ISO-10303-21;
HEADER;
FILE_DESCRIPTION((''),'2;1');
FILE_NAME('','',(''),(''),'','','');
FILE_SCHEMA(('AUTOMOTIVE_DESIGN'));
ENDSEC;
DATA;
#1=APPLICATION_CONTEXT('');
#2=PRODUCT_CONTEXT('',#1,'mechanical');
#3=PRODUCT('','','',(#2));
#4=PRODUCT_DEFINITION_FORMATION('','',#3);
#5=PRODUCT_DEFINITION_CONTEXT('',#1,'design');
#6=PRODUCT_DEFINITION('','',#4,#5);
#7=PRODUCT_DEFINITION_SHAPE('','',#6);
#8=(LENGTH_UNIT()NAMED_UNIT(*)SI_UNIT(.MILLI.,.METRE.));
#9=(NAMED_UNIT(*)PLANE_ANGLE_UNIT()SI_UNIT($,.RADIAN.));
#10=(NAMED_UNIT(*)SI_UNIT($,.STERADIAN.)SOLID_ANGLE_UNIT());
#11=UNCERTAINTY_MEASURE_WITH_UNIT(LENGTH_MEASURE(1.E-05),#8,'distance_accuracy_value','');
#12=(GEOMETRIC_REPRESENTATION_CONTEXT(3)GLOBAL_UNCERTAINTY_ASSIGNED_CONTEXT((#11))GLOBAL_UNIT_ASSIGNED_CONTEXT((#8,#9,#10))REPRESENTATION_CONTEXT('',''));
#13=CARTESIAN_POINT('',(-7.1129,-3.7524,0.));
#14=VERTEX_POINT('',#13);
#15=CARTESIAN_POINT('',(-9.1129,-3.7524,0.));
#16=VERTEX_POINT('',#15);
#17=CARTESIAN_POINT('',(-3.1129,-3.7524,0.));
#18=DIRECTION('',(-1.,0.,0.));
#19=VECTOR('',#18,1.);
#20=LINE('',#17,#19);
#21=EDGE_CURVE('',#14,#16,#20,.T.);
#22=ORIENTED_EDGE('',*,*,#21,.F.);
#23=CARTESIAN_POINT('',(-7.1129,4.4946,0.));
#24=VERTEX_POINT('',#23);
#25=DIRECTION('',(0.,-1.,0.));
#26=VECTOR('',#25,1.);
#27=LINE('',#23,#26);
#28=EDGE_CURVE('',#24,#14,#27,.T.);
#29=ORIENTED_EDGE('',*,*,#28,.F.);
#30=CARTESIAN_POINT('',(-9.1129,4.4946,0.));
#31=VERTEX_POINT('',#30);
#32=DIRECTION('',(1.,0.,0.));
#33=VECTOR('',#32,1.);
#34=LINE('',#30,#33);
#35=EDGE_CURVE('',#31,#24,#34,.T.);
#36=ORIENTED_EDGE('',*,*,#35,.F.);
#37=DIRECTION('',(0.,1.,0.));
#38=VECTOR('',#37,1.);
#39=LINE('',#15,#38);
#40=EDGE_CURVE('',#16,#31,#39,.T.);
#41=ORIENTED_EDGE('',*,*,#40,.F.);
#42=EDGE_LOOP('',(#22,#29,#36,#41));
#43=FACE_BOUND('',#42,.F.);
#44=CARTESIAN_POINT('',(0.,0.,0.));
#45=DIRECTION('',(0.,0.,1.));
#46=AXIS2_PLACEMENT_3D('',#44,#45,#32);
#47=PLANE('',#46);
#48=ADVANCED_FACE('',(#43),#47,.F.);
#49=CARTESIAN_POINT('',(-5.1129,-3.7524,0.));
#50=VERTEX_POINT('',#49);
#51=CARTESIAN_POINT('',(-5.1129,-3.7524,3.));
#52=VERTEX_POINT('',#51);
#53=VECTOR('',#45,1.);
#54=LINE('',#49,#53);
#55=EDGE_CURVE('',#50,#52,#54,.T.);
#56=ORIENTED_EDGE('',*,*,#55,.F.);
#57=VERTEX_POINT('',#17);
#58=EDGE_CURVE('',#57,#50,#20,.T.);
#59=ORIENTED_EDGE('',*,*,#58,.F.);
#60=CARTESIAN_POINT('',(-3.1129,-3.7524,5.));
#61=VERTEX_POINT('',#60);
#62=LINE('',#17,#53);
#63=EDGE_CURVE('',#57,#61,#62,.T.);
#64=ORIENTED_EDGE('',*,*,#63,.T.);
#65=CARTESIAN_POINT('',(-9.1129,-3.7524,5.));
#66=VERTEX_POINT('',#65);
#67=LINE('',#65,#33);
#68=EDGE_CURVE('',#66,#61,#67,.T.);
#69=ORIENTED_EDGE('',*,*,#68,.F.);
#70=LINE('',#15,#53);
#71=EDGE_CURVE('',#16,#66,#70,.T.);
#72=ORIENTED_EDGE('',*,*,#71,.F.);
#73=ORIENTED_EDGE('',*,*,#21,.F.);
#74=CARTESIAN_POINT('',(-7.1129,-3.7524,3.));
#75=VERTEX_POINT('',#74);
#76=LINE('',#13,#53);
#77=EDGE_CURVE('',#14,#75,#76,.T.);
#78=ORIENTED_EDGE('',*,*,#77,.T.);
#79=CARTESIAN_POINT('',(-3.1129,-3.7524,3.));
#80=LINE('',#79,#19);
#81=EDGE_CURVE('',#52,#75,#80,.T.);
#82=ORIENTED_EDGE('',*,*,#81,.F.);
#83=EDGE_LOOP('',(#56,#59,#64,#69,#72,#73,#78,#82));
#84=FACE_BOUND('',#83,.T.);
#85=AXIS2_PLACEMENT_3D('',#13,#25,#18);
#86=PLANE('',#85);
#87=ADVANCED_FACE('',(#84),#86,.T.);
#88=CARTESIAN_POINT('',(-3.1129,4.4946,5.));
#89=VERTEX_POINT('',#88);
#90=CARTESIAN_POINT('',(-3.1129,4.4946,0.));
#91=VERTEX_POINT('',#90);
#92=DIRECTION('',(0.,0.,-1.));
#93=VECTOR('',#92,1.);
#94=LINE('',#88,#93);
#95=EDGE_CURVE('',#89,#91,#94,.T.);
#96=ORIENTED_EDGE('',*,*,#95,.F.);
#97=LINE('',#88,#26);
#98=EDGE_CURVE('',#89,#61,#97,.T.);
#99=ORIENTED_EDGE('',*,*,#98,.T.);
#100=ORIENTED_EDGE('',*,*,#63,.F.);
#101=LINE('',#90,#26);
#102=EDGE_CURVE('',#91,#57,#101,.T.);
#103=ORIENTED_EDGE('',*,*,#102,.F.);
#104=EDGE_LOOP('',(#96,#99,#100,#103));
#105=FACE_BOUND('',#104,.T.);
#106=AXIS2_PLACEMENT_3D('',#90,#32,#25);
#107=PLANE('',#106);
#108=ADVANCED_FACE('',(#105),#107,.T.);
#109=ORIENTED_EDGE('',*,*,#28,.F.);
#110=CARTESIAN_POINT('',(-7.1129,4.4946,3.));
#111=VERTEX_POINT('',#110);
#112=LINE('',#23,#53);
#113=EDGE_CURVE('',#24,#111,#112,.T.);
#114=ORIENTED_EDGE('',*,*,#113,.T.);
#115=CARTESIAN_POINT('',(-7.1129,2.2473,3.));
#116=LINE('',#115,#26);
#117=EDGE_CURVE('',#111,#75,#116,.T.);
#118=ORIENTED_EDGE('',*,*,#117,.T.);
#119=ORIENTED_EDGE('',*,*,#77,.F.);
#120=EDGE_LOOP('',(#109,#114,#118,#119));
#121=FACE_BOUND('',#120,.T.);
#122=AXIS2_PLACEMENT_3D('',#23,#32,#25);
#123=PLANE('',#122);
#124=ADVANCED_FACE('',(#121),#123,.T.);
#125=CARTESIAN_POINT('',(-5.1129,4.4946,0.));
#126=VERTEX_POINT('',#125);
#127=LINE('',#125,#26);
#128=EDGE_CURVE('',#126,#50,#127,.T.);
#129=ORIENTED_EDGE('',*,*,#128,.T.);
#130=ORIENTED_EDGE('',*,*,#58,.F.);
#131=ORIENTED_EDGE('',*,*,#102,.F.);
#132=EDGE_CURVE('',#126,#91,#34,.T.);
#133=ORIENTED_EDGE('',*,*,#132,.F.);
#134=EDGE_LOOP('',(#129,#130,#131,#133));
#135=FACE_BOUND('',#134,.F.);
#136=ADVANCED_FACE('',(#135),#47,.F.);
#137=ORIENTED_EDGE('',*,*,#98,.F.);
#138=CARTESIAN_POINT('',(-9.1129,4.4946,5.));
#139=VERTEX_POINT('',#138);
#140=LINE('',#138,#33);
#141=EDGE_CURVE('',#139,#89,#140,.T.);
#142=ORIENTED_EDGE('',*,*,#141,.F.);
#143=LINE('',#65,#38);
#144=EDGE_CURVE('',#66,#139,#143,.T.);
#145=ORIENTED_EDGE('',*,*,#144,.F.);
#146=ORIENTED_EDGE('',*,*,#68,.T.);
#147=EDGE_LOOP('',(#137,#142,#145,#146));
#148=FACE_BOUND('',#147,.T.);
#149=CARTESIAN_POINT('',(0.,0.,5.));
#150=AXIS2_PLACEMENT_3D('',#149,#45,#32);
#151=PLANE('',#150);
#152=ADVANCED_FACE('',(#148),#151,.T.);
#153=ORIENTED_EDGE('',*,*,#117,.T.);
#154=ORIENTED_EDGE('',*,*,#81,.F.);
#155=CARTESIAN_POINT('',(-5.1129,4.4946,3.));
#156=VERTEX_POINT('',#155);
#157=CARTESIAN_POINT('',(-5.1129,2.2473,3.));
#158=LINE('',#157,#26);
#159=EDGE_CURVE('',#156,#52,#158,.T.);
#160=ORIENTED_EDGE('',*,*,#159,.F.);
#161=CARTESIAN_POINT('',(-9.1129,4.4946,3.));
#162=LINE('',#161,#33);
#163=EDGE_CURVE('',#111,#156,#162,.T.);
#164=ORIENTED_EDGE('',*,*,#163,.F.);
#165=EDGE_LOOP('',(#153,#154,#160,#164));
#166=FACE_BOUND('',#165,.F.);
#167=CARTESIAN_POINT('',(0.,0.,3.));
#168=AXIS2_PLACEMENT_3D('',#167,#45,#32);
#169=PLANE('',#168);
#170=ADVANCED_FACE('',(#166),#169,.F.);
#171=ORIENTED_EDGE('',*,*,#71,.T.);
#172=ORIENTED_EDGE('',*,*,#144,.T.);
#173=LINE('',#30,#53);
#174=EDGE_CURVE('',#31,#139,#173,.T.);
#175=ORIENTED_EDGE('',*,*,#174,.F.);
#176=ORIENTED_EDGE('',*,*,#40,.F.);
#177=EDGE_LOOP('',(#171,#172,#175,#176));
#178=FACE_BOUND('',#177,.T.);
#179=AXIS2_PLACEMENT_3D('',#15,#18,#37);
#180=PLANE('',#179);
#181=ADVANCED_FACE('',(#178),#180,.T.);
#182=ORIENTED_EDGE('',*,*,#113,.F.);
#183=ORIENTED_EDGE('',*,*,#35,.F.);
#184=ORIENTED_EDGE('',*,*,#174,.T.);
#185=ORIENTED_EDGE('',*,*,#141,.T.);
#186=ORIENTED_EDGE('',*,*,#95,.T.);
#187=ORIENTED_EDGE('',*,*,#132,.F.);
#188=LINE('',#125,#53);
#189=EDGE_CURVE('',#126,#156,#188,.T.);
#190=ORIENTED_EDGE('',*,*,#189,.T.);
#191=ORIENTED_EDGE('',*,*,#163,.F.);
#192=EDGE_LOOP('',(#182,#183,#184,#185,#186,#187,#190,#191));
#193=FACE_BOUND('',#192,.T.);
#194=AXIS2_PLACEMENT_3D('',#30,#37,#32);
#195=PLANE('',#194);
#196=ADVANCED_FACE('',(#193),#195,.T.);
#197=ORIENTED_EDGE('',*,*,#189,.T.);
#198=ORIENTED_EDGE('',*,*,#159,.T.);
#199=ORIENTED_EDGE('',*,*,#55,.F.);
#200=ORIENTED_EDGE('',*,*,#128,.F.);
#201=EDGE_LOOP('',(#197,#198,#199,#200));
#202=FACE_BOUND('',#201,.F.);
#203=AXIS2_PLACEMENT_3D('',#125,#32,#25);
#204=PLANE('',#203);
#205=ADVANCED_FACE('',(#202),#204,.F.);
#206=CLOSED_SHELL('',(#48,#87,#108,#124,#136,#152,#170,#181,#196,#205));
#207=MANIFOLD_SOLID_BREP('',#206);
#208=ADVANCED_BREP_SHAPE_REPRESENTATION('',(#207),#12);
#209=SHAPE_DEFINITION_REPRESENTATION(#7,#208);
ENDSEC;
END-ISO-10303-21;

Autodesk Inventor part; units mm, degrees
ref_plane "YZ Plane" through (0, 0, 0) normal (1, 0, 0) x (0, 1, 0)
ref_plane "XZ Plane" through (0, 0, 0) normal (0, 1, 0) x (-1, 0, 0)
ref_plane "XY Plane" through (0, 0, 0) normal (0, 0, 1) x (1, 0, 0)
sketch "Sketch1" plane through (0, 0, 0) normal (0, 0, 1) x (1, 0, 0)
  line L0 (-9.1129, 4.4946) -> (-3.1129, 4.4946)
  line L1 (-3.1129, 4.4946) -> (-3.1129, -3.7524)
  line L2 (-3.1129, -3.7524) -> (-9.1129, -3.7524)
  line L3 (-9.1129, -3.7524) -> (-9.1129, 4.4946)
  line L4 (-9.1129, 4.4946) -> (-7.1129, 4.4946)
  line L5 (-7.1129, 4.4946) -> (-7.1129, -3.7524)
  line L6 (-7.1129, -3.7524) -> (-9.1129, -3.7524)
  line L7 (-9.1129, -3.7524) -> (-9.1129, 4.4946)
  line L8 (-3.1129, 4.4946) -> (-5.1129, 4.4946)
  line L9 (-5.1129, 4.4946) -> (-5.1129, -3.7524)
  line L10 (-5.1129, -3.7524) -> (-3.1129, -3.7524)
  line L11 (-3.1129, -3.7524) -> (-3.1129, 4.4946)
  point P0 (0, 0)
  dimension "d0" = 6
  dimension "d1" = 2
  dimension "d2" = 2
extrude "Extrusion1" add sketch "Sketch1" along normal blind 5 contours L0 L5 L2 L3 | L0 L1 L2 L9
sketch "Sketch2" plane through (0, 0, 5) normal (0, 0, 1) x (1, 0, 0)
  line L0 (-9.1129, 4.4946) -> (-3.1129, 4.4946)
  line L1 (-3.1129, 4.4946) -> (-3.1129, -3.7524)
  line L2 (-3.1129, -3.7524) -> (-9.1129, -3.7524)
  line L3 (-9.1129, -3.7524) -> (-9.1129, 4.4946)
  point P0 (0, 0)
extrude "Extrusion2" add sketch "Sketch2" against normal blind 2
properties part number "Roller ver2"
